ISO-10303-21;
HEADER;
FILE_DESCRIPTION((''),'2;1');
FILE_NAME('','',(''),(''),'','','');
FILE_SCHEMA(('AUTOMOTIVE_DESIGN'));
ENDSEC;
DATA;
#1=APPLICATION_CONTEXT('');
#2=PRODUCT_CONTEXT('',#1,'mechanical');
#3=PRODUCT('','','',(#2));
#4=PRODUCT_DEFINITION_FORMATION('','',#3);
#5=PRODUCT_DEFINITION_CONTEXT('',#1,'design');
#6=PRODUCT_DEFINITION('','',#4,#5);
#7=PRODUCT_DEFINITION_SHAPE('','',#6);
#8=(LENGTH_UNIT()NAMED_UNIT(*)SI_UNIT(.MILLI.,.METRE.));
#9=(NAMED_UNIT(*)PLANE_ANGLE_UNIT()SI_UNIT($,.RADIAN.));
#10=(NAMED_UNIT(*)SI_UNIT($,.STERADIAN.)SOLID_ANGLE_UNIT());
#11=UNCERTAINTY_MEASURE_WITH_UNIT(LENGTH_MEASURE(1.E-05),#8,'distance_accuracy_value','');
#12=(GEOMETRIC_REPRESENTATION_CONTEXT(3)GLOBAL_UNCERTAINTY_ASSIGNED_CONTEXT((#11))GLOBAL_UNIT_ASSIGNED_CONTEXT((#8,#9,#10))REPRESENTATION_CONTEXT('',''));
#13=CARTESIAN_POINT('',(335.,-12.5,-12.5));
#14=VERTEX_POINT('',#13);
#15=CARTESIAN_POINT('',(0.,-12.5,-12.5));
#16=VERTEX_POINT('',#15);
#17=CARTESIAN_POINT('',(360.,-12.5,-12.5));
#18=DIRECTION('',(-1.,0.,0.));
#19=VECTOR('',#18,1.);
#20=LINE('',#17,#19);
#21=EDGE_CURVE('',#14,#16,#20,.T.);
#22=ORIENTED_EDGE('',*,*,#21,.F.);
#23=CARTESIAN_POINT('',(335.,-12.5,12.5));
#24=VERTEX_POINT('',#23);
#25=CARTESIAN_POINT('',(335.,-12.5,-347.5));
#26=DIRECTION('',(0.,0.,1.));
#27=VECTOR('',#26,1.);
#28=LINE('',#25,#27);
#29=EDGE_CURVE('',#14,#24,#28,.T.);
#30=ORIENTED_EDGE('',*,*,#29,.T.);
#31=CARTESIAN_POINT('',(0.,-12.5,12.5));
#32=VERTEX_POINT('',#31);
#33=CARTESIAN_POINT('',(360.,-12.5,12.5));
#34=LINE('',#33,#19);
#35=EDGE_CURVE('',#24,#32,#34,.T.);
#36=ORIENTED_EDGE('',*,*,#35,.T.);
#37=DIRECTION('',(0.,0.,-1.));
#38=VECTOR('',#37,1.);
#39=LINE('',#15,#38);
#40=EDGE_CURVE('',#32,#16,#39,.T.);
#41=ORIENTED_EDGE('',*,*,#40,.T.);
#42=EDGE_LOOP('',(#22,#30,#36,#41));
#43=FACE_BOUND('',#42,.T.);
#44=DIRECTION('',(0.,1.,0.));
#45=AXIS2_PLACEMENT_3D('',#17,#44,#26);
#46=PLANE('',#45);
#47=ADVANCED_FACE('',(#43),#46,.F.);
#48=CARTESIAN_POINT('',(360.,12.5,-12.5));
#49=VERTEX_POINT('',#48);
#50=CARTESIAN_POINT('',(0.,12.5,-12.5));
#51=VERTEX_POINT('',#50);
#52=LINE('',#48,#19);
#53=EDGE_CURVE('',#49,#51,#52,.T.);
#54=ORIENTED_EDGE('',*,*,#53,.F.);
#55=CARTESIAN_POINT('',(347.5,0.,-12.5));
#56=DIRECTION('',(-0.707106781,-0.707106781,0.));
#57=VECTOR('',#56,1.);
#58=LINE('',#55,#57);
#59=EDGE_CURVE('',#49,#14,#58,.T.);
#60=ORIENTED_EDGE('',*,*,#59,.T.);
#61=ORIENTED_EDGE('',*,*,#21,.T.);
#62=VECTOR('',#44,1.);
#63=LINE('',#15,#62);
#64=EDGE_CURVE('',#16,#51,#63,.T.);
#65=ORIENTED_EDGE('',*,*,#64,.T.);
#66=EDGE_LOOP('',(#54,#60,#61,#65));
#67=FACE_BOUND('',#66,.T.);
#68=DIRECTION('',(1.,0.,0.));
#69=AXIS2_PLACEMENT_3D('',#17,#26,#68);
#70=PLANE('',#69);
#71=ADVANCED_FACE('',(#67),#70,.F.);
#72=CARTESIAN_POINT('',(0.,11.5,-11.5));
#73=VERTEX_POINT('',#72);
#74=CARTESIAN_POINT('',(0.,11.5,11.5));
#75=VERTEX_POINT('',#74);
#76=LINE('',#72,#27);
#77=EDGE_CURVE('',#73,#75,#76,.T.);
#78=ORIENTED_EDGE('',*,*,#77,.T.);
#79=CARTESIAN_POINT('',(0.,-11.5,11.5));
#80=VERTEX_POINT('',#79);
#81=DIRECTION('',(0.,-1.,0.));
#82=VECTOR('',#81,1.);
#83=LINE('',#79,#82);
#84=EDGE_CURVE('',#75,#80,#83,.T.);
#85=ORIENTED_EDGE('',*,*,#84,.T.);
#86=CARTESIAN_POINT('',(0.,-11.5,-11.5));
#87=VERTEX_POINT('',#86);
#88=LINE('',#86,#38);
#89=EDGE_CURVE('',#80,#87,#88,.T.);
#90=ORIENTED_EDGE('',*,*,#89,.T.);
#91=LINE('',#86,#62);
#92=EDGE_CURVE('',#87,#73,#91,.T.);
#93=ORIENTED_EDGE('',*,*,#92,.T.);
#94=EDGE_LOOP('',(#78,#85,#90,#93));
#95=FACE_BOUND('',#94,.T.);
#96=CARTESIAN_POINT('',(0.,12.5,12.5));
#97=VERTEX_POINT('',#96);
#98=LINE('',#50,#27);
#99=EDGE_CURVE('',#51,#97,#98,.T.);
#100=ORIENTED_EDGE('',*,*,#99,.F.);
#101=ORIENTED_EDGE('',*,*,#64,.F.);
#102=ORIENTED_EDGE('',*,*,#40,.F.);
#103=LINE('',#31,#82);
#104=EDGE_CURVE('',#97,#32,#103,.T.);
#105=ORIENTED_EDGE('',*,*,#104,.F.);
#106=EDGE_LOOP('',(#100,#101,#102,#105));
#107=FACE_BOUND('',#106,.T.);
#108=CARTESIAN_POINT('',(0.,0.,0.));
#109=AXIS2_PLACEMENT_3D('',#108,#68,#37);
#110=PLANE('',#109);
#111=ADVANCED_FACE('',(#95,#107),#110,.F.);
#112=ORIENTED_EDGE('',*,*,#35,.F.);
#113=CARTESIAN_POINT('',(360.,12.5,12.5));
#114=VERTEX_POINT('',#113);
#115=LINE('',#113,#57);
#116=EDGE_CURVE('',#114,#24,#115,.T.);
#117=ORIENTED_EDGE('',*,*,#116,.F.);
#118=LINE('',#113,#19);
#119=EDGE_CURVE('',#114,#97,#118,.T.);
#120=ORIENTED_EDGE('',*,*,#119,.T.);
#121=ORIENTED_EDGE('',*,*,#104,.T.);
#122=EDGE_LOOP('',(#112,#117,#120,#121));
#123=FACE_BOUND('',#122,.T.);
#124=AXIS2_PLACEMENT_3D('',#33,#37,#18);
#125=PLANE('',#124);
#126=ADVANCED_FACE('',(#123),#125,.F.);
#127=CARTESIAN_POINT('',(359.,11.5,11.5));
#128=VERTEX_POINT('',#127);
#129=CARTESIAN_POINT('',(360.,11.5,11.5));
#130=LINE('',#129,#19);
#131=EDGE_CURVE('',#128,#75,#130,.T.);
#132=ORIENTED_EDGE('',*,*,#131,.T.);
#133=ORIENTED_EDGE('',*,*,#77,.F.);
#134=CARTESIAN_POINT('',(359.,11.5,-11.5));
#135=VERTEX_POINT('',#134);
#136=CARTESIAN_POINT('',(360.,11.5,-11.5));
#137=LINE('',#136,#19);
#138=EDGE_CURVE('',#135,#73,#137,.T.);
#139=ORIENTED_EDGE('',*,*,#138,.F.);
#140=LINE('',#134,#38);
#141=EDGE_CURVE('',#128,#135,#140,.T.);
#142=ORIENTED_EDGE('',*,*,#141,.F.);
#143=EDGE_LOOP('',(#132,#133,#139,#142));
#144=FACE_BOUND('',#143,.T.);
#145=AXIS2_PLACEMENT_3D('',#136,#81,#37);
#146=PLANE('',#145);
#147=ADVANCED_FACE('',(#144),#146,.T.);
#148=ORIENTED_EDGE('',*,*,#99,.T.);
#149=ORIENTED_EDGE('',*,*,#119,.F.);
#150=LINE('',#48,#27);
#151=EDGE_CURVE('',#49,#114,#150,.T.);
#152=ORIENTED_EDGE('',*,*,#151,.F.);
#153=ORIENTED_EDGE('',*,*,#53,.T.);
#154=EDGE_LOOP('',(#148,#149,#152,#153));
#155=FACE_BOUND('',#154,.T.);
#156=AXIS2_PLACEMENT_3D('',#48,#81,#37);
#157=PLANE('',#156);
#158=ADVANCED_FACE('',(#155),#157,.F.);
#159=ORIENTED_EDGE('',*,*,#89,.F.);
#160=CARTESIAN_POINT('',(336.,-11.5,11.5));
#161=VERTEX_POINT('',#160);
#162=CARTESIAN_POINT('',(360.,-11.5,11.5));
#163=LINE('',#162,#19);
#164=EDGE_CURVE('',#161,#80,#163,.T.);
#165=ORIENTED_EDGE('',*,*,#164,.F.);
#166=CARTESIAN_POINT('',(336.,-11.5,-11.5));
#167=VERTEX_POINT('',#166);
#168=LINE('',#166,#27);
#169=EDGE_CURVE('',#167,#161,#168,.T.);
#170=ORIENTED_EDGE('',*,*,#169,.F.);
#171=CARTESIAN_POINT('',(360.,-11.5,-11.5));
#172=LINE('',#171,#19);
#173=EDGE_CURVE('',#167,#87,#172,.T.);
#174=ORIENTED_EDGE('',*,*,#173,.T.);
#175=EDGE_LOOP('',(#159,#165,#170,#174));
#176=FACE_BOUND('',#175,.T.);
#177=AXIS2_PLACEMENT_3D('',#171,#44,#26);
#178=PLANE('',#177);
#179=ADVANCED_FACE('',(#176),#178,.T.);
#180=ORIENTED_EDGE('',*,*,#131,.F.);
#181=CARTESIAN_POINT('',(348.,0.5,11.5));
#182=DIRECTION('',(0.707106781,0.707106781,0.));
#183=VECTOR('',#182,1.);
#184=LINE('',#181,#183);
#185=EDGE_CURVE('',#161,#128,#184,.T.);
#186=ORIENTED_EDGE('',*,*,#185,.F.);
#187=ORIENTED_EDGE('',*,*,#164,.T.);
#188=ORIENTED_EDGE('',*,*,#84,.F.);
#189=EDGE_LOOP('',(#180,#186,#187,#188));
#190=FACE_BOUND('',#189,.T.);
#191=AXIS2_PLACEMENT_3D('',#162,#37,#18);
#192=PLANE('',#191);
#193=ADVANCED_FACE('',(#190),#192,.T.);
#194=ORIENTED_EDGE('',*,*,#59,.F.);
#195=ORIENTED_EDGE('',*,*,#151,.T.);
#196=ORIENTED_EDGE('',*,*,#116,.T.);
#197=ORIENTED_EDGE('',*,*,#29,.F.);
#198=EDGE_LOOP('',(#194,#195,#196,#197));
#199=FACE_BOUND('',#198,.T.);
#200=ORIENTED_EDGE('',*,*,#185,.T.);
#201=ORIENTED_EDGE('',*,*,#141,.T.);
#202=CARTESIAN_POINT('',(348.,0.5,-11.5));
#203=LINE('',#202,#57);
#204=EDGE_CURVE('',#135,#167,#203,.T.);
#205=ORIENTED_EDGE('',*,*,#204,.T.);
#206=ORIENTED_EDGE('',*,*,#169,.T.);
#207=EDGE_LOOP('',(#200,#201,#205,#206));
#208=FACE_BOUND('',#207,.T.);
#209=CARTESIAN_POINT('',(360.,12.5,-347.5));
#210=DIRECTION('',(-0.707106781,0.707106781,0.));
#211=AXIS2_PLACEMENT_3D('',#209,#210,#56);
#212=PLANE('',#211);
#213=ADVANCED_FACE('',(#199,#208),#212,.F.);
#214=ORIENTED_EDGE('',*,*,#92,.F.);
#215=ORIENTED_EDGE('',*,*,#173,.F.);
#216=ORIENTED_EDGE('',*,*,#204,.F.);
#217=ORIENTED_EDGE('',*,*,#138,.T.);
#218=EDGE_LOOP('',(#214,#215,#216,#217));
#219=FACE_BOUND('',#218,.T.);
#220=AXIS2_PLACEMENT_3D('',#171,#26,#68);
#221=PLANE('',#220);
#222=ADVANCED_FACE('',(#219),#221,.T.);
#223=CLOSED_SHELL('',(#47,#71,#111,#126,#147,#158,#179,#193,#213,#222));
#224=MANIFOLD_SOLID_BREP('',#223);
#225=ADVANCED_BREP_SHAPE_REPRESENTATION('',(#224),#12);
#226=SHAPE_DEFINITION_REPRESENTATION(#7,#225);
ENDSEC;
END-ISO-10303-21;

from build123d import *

# Parameters (mm, degrees)
SKETCH1_W           = 25
SKETCH1_H           = 25
SKETCH1_W_2         = 23
SKETCH1_H_2         = 23
BOSS_EXTRUDE1_DEPTH = 360
CUT_EXTRUDE3_DEPTH  = 360


with BuildPart() as part:
    # Sketch1 → Boss-Extrude1 (new body)
    with BuildSketch(Plane(origin=(0, 0, 0), x_dir=(0, 0, -1), z_dir=(1, 0, 0))):
        Rectangle(SKETCH1_W, SKETCH1_H)
        Rectangle(SKETCH1_W_2, SKETCH1_H_2, mode=Mode.SUBTRACT)
    extrude(amount=BOSS_EXTRUDE1_DEPTH)

    # Sketch2 → Cut-Extrude3 (cut)
    with BuildSketch(Plane.XY.offset(12.5)):
        Polygon((360, 12.5), (335, -12.5), (360, -12.5), align=None)
    extrude(amount=-CUT_EXTRUDE3_DEPTH, mode=Mode.SUBTRACT)


solid = part.part
